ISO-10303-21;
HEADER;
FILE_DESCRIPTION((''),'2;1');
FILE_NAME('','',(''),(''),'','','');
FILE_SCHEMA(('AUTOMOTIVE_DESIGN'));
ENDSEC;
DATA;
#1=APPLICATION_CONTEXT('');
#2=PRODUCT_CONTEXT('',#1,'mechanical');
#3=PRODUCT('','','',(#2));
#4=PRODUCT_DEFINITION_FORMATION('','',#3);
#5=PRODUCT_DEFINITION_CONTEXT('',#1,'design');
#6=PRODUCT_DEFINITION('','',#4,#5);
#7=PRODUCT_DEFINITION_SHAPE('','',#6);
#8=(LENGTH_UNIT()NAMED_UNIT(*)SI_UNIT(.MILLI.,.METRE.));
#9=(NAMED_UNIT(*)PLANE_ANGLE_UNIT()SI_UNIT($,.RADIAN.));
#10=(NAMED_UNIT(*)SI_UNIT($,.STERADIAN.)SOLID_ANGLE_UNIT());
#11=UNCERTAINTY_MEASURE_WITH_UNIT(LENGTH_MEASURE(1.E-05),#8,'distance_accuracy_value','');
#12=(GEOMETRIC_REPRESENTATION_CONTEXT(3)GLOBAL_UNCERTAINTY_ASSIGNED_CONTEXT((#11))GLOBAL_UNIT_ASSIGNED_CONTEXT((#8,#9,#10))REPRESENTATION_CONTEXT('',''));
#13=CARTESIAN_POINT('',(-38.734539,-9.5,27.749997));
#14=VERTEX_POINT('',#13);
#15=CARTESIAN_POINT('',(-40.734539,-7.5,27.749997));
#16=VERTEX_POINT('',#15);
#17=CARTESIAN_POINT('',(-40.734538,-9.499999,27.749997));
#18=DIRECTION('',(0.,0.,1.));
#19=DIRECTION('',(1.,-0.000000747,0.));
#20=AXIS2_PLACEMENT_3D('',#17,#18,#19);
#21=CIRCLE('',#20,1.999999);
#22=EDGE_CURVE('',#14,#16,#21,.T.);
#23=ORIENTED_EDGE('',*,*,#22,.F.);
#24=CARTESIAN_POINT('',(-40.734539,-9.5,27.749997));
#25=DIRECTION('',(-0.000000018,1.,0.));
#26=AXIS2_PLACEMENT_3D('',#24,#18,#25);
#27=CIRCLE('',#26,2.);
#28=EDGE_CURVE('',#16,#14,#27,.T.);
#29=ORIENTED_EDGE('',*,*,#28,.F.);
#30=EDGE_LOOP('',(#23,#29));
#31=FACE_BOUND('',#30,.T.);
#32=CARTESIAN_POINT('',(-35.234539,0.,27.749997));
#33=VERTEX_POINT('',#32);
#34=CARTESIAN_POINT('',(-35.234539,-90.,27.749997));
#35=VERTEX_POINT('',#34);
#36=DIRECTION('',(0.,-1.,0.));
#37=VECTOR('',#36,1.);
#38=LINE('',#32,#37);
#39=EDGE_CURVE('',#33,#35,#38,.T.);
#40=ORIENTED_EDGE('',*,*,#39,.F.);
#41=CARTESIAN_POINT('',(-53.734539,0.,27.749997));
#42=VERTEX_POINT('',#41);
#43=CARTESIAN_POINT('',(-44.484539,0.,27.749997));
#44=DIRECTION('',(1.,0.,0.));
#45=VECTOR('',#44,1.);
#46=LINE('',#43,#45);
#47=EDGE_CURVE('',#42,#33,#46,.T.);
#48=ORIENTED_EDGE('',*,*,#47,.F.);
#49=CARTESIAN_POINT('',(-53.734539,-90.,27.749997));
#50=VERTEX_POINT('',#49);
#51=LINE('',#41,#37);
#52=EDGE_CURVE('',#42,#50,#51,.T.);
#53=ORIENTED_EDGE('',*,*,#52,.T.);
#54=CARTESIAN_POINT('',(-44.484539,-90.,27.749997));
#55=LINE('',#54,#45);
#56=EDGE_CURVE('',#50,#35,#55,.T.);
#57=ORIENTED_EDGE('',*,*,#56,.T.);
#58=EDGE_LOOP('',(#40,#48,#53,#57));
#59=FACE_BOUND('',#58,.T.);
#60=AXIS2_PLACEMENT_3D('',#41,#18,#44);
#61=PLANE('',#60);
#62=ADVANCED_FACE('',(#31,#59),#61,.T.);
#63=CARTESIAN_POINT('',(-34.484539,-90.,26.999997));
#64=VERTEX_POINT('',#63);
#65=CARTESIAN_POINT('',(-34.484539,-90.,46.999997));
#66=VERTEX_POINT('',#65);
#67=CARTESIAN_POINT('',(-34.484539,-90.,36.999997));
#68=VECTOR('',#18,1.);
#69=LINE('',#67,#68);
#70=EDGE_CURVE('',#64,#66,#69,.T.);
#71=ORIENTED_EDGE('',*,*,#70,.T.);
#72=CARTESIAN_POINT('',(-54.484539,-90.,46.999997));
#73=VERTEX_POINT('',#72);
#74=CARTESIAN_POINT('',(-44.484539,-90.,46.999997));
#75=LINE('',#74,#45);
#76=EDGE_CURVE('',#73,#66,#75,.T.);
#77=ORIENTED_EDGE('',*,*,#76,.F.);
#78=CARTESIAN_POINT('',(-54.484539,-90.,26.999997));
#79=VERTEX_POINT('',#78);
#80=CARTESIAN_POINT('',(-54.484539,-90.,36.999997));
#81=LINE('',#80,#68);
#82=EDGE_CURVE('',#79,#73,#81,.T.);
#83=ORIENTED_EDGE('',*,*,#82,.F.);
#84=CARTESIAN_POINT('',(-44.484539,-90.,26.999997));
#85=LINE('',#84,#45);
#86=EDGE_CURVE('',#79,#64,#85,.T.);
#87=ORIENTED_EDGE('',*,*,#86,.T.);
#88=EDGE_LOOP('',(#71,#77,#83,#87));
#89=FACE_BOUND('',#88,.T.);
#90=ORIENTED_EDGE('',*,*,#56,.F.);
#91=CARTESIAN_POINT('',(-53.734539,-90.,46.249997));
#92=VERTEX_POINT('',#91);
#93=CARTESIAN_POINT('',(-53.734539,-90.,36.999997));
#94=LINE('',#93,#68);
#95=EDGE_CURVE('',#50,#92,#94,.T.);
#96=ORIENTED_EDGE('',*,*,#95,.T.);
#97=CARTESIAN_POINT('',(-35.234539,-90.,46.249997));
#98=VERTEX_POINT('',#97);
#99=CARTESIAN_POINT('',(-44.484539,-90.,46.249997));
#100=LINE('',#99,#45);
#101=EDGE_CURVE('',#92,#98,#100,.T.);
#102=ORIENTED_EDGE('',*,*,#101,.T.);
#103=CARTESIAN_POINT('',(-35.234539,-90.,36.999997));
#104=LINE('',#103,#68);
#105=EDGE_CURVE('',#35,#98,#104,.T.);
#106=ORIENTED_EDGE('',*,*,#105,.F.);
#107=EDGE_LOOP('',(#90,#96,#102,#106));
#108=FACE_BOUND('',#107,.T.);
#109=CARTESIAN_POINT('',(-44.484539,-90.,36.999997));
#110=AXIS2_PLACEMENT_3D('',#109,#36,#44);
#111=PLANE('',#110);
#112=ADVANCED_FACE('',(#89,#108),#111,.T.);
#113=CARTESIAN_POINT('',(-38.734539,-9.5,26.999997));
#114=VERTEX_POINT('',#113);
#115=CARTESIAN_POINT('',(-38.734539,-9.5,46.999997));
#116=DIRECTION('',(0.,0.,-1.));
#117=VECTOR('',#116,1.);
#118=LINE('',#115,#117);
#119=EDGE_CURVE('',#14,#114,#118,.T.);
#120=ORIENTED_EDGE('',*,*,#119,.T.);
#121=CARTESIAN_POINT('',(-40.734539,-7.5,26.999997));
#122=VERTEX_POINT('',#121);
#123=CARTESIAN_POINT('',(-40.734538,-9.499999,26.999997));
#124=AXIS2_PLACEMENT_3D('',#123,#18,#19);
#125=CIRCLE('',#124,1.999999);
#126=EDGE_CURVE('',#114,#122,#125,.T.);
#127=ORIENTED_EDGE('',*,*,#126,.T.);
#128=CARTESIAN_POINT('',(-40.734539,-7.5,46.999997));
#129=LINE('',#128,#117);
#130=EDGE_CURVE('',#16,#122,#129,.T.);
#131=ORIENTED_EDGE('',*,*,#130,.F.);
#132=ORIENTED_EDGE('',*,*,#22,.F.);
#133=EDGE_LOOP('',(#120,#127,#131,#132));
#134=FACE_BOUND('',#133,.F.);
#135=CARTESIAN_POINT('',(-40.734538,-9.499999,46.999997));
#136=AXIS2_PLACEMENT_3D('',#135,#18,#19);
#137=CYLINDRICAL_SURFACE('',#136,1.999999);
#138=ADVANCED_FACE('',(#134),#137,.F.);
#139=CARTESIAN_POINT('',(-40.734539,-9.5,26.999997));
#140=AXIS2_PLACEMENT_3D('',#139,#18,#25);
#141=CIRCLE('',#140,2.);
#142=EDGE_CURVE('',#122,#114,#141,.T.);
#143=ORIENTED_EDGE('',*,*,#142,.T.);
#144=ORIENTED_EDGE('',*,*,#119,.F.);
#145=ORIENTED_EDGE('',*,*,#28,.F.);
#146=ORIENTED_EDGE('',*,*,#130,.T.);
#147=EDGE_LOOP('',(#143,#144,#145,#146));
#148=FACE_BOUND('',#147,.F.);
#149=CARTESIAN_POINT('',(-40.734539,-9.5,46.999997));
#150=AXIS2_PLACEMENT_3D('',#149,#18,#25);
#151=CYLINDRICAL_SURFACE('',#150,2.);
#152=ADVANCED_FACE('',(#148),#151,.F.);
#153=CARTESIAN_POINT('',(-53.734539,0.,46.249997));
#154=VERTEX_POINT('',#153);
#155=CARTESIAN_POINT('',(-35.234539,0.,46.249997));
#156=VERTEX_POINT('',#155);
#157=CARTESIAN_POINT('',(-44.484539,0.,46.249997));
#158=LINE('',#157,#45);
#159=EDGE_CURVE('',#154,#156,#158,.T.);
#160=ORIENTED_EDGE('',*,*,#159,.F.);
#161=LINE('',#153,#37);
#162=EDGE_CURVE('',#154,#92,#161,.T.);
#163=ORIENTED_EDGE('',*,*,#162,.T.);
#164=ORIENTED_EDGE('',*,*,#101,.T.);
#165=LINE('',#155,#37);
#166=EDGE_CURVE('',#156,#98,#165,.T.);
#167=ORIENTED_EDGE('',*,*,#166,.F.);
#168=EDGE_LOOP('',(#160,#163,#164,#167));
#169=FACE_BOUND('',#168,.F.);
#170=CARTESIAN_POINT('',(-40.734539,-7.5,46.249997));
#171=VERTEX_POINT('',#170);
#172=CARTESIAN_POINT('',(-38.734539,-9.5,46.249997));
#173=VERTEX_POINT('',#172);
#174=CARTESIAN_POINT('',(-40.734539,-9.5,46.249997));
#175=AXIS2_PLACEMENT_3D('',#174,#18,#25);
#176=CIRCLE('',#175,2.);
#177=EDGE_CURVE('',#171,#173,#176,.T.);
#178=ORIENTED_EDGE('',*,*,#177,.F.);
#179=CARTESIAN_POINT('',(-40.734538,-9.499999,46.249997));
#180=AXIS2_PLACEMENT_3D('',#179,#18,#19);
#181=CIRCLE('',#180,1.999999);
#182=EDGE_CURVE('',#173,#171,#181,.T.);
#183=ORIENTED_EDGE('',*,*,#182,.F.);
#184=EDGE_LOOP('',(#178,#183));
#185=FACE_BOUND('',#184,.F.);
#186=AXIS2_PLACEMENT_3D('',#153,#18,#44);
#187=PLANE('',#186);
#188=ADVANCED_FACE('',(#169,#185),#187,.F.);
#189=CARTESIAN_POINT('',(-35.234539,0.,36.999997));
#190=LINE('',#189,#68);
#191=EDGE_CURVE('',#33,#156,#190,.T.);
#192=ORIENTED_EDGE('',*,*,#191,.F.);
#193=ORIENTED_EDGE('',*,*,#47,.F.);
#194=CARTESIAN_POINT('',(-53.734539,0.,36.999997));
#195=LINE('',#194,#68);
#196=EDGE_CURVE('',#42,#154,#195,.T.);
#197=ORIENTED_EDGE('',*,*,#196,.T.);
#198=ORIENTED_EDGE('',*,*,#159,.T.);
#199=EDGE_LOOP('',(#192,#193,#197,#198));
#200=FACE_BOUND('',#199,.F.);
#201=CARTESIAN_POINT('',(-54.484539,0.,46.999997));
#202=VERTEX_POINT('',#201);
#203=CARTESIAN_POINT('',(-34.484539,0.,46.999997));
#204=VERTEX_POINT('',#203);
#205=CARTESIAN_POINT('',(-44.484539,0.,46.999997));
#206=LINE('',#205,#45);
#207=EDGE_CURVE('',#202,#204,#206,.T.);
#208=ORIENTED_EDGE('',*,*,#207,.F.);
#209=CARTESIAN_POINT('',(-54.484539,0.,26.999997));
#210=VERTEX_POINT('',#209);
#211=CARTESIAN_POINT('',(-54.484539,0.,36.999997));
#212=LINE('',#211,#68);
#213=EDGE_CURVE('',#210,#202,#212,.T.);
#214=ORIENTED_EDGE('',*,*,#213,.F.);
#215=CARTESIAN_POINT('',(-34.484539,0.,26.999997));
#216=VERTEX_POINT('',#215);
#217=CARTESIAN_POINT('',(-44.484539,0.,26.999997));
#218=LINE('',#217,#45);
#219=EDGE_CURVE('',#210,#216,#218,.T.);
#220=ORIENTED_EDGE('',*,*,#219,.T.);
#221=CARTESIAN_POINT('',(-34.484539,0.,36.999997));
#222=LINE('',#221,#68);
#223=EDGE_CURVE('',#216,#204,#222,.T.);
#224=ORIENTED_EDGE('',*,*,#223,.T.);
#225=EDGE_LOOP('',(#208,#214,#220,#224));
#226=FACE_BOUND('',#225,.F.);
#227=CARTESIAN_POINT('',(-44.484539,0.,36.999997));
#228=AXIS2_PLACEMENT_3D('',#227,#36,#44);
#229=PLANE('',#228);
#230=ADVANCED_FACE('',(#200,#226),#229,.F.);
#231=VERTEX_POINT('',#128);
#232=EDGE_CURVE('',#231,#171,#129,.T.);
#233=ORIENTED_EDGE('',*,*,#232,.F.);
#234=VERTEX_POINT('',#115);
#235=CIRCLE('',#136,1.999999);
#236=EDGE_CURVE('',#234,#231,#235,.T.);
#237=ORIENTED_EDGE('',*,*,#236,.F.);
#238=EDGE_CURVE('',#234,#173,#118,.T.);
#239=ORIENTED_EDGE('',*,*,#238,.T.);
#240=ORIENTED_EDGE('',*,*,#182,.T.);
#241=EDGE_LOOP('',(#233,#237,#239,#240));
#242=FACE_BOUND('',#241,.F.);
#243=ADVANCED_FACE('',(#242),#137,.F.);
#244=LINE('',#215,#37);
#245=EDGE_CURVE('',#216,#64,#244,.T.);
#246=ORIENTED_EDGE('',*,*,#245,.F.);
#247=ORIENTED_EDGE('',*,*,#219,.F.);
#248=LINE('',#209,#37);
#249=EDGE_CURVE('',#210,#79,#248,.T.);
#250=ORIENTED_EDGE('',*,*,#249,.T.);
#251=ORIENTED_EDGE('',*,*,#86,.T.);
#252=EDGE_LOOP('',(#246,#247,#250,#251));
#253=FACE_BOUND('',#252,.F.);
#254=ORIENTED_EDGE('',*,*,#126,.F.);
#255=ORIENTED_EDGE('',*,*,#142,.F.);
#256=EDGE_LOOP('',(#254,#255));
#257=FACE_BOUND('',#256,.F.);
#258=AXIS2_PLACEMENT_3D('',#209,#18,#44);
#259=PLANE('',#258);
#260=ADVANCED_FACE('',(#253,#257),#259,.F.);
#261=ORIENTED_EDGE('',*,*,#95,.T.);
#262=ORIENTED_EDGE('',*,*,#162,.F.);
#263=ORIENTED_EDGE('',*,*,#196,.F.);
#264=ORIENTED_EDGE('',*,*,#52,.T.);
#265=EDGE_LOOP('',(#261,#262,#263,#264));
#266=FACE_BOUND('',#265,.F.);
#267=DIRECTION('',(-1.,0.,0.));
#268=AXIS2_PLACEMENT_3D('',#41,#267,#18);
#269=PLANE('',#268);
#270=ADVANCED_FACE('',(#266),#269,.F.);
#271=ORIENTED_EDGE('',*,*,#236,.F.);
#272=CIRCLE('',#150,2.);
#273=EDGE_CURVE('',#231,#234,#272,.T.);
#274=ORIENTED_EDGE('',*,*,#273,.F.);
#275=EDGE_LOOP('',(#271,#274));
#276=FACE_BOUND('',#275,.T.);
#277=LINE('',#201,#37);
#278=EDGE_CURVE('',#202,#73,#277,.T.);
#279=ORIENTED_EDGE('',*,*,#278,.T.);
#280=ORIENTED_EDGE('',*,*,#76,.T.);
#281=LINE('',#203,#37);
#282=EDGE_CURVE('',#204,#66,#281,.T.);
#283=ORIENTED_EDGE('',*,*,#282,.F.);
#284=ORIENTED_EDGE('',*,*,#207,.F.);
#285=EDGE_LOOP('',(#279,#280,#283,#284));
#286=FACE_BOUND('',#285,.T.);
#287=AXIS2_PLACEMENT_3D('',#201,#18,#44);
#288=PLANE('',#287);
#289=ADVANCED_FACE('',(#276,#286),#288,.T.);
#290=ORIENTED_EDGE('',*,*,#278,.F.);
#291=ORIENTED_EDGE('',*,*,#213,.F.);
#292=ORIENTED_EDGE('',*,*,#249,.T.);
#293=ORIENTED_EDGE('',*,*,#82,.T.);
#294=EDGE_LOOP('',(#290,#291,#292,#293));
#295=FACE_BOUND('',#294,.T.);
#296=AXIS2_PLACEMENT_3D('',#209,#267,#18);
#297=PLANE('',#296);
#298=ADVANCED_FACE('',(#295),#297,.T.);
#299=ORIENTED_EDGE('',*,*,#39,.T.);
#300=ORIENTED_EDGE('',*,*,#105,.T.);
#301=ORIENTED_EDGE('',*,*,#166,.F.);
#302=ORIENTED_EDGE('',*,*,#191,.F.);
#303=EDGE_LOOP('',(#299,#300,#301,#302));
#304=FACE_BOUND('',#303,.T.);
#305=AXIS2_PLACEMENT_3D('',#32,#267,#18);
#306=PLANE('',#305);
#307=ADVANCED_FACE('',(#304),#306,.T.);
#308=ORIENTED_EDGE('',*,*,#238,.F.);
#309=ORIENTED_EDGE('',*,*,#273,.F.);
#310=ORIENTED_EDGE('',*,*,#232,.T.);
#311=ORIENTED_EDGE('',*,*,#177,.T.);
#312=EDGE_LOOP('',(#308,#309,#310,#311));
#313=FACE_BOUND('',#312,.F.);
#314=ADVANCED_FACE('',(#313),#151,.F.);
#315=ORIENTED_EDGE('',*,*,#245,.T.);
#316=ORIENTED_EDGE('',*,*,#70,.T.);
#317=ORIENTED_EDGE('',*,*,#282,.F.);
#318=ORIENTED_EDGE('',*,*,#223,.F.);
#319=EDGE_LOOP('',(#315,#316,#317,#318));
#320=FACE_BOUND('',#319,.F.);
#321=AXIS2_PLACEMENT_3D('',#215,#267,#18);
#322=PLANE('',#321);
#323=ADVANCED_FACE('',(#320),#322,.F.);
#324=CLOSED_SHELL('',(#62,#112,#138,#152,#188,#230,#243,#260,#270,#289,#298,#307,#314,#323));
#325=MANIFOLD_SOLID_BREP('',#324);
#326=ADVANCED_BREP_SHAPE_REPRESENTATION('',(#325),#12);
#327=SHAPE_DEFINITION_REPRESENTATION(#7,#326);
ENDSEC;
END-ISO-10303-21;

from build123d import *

# Parameters (mm, degrees)
F0_W     = 20
F0_H     = 20
F0_W_2   = 18.5
F0_H_2   = 18.5
F1_DEPTH = 90
F3_DEPTH = 25


with BuildPart() as f1:
    # F0 (on Front) → F1 (new body)
    with BuildSketch(Plane.XZ):
        with Locations((-44.484539, 36.999997)):
            Rectangle(F0_W, F0_H)
        with Locations((-44.484539, 36.999997)):
            Rectangle(F0_W_2, F0_H_2, mode=Mode.SUBTRACT)
    extrude(amount=F1_DEPTH)

    # F2 (on face) → F3 (cut)
    with BuildSketch(Plane.XY.offset(46.999997)):
        with BuildLine():
            ThreePointArc((-40.734539, -7.5), (-42.148752, -10.914214), (-38.734539, -9.5))
            ThreePointArc((-38.734539, -9.5), (-39.320325, -8.085786), (-40.734539, -7.5))
        make_face()
    extrude(amount=-F3_DEPTH, mode=Mode.SUBTRACT)


solid = f1.part
